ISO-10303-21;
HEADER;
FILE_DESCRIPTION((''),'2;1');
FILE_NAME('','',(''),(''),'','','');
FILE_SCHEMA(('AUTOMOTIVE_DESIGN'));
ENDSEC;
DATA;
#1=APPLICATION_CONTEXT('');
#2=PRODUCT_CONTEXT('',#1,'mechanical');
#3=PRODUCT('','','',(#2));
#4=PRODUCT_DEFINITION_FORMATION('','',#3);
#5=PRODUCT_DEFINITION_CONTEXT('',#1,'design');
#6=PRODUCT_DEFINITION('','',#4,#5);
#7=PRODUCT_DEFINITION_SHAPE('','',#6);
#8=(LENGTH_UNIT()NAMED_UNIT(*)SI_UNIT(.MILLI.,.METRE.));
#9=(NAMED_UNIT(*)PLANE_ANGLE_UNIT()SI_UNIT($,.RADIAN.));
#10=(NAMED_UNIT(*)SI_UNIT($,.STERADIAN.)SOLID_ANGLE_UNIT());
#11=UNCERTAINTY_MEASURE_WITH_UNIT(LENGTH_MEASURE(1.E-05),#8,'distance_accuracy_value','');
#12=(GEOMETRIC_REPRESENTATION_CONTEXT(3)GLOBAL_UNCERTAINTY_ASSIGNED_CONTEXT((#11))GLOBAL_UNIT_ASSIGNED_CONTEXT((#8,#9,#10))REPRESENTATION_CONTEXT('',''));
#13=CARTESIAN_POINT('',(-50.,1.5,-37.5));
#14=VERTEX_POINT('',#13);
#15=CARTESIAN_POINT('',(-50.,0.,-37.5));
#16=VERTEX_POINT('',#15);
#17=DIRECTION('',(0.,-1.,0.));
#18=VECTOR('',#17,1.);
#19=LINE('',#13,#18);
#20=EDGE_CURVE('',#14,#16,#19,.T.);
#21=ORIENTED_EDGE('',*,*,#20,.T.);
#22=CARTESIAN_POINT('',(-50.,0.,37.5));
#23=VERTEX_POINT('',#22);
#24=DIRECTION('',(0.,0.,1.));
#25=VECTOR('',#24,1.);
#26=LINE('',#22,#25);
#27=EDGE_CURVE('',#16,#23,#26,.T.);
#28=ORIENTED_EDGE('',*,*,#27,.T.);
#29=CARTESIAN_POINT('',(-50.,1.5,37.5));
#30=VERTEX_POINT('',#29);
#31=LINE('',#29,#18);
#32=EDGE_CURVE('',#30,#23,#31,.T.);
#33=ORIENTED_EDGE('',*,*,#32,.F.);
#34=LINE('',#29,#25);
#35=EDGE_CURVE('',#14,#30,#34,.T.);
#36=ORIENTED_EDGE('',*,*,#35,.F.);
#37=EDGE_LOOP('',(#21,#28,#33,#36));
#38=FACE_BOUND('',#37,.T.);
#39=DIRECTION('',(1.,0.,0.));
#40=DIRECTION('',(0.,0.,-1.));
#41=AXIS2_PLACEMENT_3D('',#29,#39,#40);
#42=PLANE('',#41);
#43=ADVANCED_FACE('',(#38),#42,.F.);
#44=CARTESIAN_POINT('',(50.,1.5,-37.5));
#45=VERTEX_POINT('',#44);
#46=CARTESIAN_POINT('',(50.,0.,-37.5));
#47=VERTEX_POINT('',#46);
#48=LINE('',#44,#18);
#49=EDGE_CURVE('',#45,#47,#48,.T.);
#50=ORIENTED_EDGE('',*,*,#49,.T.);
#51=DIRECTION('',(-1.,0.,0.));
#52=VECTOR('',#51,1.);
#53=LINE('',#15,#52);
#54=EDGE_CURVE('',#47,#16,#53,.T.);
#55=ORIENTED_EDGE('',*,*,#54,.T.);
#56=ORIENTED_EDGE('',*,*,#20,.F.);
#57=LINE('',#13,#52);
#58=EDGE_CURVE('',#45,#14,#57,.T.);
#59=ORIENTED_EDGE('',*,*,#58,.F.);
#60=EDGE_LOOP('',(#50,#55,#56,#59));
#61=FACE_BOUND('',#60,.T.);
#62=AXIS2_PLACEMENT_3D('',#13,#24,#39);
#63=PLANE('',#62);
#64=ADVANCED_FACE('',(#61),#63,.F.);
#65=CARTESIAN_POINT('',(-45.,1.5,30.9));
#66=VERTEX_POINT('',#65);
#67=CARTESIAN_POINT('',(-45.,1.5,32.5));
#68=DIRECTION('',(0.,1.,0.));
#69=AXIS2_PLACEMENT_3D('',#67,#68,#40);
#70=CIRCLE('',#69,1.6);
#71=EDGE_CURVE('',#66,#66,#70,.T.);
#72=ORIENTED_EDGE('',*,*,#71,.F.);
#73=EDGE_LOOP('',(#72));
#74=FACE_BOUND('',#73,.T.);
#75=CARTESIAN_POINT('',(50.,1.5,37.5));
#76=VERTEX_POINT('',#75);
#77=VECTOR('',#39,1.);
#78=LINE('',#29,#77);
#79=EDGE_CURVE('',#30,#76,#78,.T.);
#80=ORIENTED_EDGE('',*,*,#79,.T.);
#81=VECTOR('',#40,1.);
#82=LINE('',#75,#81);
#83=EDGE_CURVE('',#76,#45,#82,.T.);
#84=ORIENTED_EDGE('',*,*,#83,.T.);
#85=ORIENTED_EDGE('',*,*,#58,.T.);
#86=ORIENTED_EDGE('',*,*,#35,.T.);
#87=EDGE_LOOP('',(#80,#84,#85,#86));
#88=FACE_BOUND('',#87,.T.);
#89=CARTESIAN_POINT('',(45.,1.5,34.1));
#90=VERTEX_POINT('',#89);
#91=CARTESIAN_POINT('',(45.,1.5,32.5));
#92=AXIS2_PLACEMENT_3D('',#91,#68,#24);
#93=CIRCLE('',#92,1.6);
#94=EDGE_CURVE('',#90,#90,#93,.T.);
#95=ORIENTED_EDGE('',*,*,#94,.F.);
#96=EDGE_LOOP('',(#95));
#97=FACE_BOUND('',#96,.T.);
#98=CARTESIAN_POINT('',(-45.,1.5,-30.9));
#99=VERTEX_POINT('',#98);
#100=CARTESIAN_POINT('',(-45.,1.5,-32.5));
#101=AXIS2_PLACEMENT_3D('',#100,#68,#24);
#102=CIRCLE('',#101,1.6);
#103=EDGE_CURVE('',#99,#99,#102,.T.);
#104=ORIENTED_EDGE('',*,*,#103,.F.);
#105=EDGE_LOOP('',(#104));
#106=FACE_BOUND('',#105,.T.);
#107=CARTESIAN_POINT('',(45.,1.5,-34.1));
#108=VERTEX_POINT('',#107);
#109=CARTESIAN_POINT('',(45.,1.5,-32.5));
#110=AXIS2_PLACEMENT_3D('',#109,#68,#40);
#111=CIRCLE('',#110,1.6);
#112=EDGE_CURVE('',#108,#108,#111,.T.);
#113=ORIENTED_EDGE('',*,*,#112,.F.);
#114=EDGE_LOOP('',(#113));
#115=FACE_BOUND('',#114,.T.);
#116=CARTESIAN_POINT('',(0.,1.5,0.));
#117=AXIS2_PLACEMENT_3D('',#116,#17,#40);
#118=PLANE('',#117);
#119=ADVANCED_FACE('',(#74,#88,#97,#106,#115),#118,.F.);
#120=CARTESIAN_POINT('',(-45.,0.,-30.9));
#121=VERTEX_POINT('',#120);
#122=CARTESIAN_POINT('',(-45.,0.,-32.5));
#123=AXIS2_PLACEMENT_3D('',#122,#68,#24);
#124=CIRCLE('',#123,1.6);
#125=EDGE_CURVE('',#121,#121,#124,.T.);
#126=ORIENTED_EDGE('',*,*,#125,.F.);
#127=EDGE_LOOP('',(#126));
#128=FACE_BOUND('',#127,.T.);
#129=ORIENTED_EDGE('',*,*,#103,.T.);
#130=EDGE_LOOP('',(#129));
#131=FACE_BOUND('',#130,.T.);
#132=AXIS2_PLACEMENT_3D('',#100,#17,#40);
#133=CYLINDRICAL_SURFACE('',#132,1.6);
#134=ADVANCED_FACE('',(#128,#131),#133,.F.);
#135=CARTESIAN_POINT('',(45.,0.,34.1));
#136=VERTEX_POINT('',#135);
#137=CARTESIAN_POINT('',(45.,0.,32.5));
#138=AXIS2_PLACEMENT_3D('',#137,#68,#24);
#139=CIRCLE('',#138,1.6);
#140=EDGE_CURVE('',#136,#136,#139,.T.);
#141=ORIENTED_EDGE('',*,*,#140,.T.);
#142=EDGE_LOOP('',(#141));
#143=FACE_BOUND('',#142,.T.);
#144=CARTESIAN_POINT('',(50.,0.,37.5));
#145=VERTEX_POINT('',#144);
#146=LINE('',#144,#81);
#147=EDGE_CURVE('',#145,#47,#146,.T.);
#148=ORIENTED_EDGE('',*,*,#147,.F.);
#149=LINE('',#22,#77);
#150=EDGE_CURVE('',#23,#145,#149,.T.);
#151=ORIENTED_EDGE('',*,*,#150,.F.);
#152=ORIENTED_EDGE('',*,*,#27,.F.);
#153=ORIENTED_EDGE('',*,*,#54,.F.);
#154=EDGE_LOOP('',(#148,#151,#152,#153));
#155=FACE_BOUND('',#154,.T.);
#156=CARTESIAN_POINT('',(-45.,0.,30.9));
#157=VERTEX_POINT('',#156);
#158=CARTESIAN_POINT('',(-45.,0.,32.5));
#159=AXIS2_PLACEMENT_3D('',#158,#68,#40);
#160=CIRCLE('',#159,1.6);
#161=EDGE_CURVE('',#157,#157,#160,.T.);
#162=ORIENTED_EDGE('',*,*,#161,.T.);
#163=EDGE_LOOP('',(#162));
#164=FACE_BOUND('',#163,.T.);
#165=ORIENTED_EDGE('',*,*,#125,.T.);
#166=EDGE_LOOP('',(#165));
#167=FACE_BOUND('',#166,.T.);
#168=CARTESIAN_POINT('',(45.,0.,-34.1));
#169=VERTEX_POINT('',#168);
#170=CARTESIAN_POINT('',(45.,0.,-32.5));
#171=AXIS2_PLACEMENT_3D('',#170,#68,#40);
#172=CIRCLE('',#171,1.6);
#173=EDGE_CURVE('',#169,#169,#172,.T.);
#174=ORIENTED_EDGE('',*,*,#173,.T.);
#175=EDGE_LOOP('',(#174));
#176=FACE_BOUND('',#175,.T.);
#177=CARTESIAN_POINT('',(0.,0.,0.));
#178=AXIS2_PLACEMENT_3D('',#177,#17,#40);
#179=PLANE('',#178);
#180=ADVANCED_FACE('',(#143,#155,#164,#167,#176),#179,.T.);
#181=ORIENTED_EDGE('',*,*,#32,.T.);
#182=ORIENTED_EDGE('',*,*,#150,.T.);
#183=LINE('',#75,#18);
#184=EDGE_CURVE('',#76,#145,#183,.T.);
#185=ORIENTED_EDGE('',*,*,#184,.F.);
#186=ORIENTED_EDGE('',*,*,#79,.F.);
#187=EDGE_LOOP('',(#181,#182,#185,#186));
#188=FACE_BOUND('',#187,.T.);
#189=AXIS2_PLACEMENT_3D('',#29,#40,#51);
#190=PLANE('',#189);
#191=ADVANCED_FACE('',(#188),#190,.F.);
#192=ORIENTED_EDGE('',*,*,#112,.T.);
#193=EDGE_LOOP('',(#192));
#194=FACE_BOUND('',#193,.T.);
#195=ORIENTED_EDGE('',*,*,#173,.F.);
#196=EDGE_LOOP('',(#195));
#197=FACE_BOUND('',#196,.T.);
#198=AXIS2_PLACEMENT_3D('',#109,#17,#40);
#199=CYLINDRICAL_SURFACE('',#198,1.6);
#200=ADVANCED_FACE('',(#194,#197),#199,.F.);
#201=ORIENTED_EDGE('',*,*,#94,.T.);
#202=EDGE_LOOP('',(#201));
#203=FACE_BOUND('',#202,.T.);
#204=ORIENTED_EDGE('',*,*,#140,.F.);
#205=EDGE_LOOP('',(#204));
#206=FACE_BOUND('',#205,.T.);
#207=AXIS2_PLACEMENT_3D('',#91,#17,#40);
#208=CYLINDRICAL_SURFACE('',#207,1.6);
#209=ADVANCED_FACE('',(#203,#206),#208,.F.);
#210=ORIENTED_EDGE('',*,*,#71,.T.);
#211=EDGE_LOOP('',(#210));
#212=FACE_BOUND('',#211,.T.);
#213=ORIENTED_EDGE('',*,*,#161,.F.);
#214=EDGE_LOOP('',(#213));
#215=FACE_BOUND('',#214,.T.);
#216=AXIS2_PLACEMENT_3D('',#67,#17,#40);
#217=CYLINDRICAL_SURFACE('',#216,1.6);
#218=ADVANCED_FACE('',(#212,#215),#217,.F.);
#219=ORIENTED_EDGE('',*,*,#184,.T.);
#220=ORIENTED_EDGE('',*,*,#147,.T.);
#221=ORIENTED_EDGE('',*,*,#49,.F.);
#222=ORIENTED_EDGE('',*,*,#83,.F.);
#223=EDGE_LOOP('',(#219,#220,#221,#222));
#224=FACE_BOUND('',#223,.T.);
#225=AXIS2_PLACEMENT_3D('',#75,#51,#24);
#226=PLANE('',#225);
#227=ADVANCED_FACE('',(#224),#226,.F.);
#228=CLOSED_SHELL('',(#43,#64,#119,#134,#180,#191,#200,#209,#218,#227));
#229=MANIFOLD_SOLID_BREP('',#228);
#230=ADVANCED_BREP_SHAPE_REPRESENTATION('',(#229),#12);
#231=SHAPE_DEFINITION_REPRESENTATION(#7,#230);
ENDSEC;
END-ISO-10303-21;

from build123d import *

# Parameters (mm, degrees)
SKETCH1_W           = 100
SKETCH1_H           = 75
SKETCH1_R           = 1.6
BOSS_EXTRUDE1_DEPTH = 1.5


with BuildPart() as part:
    # Sketch1 → Boss-Extrude1 (new body)
    with BuildSketch(Plane(origin=(0, 0, 0), x_dir=(1, 0, 0), z_dir=(0, 1, 0))):
        Rectangle(SKETCH1_W, SKETCH1_H)
        with Locations(Location((-45, 32.5, 0), (0, 0, 270))):
            Circle(SKETCH1_R, mode=Mode.SUBTRACT)
        with Locations(Location((45, 32.5, 0), (0, 0, 90))):
            Circle(SKETCH1_R, mode=Mode.SUBTRACT)
        with Locations(Location((45, -32.5, 0), (0, 0, 270))):
            Circle(SKETCH1_R, mode=Mode.SUBTRACT)
        with Locations(Location((-45, -32.5, 0), (0, 0, 90))):
            Circle(SKETCH1_R, mode=Mode.SUBTRACT)
    extrude(amount=BOSS_EXTRUDE1_DEPTH)


solid = part.part
